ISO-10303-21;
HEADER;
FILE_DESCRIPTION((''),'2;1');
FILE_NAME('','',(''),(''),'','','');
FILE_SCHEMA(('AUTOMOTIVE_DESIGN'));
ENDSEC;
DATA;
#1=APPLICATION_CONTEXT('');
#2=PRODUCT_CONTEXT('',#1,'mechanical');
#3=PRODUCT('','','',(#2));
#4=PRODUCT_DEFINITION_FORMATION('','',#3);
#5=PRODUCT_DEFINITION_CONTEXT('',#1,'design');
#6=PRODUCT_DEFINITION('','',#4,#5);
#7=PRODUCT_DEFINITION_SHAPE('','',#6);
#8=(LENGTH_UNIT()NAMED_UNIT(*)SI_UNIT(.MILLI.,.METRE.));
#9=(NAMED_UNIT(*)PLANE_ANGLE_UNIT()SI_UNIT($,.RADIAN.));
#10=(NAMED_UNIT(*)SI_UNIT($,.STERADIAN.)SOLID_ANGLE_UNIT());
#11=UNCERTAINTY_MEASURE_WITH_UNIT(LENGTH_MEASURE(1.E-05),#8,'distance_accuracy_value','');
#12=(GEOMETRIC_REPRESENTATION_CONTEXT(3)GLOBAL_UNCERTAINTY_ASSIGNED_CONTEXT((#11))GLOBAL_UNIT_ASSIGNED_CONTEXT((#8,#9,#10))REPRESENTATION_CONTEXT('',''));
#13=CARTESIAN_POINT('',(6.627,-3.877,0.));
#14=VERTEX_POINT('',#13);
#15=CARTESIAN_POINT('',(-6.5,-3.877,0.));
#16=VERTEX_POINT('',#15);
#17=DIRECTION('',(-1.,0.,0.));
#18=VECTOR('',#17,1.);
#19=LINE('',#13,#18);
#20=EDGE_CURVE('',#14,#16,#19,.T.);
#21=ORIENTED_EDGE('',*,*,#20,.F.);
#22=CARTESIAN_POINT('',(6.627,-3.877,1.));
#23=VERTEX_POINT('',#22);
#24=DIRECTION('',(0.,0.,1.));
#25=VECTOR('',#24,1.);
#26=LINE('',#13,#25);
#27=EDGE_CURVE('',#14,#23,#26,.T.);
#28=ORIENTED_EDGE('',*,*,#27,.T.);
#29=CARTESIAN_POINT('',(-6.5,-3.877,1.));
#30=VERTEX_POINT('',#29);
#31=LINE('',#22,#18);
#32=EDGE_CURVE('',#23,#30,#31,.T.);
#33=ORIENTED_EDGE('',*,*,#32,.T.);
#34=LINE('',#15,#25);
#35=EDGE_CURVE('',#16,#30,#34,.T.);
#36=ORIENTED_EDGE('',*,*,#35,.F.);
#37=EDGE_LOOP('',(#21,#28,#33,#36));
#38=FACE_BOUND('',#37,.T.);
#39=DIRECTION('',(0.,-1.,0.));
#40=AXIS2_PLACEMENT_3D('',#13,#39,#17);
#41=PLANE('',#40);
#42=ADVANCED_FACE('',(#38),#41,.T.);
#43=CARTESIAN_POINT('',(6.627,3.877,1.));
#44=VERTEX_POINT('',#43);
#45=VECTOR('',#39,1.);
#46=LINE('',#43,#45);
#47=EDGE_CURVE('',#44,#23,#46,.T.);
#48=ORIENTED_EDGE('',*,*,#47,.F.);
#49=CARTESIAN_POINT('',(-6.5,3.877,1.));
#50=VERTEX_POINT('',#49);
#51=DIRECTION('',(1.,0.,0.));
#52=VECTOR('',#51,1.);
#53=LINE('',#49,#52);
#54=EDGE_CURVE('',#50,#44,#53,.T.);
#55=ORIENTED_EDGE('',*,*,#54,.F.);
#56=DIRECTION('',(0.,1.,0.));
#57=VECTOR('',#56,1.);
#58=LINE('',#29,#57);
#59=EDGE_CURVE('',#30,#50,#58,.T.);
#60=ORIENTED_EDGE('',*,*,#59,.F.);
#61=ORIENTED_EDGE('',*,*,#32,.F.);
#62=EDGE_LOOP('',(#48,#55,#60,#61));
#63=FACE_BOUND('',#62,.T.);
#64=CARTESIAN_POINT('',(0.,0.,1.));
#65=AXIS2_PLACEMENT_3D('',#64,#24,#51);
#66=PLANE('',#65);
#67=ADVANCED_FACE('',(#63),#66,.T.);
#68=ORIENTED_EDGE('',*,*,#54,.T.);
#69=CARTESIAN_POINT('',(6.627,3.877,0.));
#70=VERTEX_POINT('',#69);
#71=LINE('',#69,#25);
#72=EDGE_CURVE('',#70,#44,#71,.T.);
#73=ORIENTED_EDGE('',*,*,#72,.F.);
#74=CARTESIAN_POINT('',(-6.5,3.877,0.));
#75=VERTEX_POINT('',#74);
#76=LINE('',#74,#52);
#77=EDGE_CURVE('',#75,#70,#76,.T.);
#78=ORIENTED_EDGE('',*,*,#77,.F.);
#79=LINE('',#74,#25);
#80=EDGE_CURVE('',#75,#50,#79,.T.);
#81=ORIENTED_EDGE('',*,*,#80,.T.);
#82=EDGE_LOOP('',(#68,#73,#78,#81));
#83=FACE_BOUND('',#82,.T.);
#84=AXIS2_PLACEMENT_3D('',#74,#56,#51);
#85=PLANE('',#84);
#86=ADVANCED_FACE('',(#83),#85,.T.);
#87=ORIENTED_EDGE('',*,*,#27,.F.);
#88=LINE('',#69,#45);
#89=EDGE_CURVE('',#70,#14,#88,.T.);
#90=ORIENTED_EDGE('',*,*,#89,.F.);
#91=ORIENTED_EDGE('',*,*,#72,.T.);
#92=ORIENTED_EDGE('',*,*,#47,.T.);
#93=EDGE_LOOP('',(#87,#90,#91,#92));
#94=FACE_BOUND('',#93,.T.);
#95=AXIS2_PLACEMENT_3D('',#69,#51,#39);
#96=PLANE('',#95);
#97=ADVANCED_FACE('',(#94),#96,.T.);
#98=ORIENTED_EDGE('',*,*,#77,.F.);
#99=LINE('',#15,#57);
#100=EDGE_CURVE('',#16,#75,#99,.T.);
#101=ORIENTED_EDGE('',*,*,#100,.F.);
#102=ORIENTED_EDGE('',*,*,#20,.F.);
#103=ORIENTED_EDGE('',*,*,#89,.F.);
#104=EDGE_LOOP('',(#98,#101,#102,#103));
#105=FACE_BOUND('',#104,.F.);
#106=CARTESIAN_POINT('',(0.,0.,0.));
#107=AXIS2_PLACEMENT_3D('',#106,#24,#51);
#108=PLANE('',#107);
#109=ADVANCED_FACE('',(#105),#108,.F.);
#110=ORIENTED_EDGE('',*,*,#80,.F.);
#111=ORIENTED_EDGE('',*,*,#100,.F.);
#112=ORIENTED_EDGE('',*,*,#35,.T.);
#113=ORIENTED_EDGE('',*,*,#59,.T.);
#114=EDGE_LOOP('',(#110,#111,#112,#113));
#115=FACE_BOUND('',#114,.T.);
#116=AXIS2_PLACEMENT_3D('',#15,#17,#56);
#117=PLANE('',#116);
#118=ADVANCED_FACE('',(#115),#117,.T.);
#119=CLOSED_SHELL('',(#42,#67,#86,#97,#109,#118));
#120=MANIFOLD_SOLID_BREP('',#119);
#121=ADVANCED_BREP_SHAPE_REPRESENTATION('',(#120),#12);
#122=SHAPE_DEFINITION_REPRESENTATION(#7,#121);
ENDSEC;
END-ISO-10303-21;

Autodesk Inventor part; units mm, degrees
ref_plane "YZ Plane" through (0, 0, 0) normal (1, 0, 0) x (0, 1, 0)
ref_plane "XZ Plane" through (0, 0, 0) normal (0, 1, 0) x (-1, 0, 0)
ref_plane "XY Plane" through (0, 0, 0) normal (0, 0, 1) x (1, 0, 0)
sketch "DS3234, DS3234_61" plane through (0, 0, 0) normal (0, 0, 1) x (1, 0, 0)
  line L0 (-6.5, 3.877) -> (6.627, 3.877)
  line L1 (6.627, 3.877) -> (6.627, -3.877)
  line L2 (6.627, -3.877) -> (-6.5, -3.877)
  line L3 (-6.5, -3.877) -> (-6.5, 3.877)
extrude "Extrusion1" add sketch "DS3234, DS3234_61" along normal blind 1
properties part number "DS3234"
